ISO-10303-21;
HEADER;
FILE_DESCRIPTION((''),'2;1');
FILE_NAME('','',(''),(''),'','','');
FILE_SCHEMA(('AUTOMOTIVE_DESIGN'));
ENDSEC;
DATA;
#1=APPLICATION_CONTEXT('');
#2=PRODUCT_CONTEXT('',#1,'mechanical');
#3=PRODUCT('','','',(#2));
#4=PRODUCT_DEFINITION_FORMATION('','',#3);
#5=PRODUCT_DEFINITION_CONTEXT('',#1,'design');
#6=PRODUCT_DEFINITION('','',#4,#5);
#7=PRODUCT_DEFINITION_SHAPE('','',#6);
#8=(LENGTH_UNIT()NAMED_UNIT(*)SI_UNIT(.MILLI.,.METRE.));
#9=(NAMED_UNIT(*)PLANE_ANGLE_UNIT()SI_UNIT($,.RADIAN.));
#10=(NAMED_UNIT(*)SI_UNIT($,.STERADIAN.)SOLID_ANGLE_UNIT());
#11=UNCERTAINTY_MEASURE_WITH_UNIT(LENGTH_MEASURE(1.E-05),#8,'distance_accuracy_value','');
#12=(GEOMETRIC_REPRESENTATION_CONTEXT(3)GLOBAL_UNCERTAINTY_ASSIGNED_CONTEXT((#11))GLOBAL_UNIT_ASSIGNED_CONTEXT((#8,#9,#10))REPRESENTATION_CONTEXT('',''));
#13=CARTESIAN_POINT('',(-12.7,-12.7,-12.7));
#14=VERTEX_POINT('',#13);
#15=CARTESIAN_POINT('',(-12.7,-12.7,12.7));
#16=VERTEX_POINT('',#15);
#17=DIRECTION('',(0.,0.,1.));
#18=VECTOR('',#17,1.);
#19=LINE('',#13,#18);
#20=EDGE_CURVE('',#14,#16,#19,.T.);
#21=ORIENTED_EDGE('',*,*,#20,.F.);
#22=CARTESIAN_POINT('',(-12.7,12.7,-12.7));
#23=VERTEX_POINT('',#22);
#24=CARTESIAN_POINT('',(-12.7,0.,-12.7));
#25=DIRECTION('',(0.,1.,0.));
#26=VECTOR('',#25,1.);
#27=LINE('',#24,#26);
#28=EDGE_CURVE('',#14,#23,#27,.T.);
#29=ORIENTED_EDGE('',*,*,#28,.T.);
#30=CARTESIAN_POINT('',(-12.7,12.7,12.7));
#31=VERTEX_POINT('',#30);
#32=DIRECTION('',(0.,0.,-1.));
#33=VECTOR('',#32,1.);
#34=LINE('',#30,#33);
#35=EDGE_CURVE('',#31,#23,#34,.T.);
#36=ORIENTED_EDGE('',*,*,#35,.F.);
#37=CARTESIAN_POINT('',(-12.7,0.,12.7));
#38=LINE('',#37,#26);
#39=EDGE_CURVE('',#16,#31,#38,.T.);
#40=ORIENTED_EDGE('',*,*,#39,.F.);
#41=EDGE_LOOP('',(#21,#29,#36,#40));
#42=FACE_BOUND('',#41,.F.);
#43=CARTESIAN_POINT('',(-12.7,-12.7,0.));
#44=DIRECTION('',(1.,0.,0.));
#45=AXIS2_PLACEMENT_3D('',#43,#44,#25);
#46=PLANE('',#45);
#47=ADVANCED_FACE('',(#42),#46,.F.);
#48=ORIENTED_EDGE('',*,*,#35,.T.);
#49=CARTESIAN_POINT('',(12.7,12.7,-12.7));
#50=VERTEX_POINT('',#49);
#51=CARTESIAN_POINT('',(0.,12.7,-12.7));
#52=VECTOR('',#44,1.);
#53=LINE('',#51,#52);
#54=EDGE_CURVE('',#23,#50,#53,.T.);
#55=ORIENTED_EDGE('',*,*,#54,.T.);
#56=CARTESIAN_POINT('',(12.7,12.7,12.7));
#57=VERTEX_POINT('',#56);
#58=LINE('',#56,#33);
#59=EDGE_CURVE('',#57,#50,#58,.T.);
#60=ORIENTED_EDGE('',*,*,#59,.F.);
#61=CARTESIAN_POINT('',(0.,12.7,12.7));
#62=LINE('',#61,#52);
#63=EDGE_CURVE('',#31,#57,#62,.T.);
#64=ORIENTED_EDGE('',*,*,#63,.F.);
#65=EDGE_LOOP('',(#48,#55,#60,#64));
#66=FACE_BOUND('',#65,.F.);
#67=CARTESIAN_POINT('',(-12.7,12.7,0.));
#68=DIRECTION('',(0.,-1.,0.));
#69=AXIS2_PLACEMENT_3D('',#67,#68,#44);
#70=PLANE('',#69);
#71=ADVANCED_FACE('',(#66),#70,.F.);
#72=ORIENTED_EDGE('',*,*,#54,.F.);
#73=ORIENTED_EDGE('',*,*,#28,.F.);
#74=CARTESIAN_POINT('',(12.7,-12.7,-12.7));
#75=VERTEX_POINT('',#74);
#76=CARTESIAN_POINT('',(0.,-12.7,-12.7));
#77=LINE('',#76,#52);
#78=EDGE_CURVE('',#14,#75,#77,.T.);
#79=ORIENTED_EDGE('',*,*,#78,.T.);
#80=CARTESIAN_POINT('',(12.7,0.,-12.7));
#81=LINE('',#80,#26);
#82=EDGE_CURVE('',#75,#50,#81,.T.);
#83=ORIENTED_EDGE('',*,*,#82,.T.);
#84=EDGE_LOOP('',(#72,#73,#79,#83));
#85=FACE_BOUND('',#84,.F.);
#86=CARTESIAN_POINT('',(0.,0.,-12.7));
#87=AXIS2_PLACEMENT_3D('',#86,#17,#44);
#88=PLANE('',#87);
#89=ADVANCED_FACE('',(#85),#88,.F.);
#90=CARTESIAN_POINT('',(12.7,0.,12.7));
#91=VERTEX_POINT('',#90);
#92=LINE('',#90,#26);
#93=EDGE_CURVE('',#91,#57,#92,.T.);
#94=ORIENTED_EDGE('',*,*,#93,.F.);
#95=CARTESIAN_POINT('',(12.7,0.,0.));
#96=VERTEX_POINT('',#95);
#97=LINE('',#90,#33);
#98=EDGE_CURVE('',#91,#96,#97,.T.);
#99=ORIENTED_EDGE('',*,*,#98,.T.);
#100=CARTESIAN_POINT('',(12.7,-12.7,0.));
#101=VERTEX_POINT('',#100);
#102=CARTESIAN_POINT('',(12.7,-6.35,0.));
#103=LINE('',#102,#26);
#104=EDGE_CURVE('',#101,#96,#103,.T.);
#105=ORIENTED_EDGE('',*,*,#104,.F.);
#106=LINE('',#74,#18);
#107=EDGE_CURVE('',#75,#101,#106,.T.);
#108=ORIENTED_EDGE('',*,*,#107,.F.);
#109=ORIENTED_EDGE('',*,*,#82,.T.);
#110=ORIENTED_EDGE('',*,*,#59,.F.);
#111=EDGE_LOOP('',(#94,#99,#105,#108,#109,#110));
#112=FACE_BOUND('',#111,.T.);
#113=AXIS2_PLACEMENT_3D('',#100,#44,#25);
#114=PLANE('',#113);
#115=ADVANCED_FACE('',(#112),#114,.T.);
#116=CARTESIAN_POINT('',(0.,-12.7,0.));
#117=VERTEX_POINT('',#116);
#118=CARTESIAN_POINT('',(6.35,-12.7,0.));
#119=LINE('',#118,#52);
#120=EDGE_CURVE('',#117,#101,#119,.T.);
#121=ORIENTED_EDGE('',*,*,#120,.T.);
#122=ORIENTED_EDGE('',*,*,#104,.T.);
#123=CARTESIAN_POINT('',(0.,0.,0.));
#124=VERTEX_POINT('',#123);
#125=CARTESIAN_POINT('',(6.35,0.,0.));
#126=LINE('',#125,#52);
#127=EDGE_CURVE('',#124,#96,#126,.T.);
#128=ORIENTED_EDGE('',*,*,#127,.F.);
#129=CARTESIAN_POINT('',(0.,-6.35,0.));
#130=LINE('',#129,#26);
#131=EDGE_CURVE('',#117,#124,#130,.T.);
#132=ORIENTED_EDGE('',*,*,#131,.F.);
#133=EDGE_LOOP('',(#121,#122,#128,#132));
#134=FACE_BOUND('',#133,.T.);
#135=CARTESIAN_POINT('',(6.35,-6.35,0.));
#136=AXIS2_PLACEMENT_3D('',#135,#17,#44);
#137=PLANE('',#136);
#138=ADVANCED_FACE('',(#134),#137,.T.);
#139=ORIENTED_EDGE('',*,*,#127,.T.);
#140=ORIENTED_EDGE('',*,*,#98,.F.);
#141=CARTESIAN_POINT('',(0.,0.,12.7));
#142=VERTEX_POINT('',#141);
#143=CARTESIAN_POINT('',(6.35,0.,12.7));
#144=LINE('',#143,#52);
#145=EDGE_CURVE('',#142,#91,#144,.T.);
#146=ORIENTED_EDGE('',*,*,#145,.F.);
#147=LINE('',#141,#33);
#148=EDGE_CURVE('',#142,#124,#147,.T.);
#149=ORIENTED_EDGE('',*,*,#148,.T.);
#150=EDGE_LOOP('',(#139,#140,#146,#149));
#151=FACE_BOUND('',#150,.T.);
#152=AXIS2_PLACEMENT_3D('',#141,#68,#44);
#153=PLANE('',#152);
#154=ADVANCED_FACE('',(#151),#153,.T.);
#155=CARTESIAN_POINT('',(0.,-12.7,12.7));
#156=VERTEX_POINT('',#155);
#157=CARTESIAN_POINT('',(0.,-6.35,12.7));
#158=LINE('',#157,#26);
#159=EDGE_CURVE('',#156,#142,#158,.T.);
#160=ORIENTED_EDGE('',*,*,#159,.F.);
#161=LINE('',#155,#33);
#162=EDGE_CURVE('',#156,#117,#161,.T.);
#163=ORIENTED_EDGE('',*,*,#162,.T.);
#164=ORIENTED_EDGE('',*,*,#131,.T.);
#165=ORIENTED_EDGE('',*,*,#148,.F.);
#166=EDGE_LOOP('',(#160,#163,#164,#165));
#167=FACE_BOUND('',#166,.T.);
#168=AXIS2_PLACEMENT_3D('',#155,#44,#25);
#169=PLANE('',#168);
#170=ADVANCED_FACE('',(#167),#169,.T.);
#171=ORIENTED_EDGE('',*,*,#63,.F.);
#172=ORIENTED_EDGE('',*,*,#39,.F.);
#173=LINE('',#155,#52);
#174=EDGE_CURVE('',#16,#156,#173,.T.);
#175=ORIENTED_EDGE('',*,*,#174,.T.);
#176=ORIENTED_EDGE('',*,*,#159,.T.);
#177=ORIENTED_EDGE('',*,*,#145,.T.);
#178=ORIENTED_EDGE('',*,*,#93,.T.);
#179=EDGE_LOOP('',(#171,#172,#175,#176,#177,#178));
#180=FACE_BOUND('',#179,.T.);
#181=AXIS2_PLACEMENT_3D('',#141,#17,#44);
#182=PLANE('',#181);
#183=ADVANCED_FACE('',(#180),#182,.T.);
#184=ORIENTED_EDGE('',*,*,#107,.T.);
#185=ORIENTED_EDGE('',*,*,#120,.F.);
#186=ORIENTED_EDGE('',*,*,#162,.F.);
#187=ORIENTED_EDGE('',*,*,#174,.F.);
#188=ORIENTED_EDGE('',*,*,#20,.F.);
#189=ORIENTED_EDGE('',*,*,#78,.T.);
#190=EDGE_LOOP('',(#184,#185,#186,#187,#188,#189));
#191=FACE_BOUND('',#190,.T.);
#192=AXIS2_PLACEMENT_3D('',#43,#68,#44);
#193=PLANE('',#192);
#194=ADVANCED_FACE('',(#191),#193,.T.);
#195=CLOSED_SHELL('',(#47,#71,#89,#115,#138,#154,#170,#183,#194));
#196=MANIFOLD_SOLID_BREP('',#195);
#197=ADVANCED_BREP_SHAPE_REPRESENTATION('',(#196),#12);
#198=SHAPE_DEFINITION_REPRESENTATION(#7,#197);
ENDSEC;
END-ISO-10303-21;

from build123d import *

# Parameters (mm, degrees)
F0_W     = 25.4
F0_H     = 25.4
F1_DEPTH = 12.7
F2_W     = 12.7
F2_H     = 12.7
F3_DEPTH = 12.7


with BuildPart() as f1:
    # F0 (on Top) → F1 (new body, symmetric)
    with BuildSketch(Plane.XY):
        Rectangle(F0_W, F0_H)
    extrude(amount=F1_DEPTH, both=True)

    # F2 (on face) → F3 (cut)
    with BuildSketch(Plane.XY.offset(12.7)):
        with Locations((6.35, -6.35)):
            Rectangle(F2_W, F2_H)
    extrude(amount=-F3_DEPTH, mode=Mode.SUBTRACT)


solid = f1.part
